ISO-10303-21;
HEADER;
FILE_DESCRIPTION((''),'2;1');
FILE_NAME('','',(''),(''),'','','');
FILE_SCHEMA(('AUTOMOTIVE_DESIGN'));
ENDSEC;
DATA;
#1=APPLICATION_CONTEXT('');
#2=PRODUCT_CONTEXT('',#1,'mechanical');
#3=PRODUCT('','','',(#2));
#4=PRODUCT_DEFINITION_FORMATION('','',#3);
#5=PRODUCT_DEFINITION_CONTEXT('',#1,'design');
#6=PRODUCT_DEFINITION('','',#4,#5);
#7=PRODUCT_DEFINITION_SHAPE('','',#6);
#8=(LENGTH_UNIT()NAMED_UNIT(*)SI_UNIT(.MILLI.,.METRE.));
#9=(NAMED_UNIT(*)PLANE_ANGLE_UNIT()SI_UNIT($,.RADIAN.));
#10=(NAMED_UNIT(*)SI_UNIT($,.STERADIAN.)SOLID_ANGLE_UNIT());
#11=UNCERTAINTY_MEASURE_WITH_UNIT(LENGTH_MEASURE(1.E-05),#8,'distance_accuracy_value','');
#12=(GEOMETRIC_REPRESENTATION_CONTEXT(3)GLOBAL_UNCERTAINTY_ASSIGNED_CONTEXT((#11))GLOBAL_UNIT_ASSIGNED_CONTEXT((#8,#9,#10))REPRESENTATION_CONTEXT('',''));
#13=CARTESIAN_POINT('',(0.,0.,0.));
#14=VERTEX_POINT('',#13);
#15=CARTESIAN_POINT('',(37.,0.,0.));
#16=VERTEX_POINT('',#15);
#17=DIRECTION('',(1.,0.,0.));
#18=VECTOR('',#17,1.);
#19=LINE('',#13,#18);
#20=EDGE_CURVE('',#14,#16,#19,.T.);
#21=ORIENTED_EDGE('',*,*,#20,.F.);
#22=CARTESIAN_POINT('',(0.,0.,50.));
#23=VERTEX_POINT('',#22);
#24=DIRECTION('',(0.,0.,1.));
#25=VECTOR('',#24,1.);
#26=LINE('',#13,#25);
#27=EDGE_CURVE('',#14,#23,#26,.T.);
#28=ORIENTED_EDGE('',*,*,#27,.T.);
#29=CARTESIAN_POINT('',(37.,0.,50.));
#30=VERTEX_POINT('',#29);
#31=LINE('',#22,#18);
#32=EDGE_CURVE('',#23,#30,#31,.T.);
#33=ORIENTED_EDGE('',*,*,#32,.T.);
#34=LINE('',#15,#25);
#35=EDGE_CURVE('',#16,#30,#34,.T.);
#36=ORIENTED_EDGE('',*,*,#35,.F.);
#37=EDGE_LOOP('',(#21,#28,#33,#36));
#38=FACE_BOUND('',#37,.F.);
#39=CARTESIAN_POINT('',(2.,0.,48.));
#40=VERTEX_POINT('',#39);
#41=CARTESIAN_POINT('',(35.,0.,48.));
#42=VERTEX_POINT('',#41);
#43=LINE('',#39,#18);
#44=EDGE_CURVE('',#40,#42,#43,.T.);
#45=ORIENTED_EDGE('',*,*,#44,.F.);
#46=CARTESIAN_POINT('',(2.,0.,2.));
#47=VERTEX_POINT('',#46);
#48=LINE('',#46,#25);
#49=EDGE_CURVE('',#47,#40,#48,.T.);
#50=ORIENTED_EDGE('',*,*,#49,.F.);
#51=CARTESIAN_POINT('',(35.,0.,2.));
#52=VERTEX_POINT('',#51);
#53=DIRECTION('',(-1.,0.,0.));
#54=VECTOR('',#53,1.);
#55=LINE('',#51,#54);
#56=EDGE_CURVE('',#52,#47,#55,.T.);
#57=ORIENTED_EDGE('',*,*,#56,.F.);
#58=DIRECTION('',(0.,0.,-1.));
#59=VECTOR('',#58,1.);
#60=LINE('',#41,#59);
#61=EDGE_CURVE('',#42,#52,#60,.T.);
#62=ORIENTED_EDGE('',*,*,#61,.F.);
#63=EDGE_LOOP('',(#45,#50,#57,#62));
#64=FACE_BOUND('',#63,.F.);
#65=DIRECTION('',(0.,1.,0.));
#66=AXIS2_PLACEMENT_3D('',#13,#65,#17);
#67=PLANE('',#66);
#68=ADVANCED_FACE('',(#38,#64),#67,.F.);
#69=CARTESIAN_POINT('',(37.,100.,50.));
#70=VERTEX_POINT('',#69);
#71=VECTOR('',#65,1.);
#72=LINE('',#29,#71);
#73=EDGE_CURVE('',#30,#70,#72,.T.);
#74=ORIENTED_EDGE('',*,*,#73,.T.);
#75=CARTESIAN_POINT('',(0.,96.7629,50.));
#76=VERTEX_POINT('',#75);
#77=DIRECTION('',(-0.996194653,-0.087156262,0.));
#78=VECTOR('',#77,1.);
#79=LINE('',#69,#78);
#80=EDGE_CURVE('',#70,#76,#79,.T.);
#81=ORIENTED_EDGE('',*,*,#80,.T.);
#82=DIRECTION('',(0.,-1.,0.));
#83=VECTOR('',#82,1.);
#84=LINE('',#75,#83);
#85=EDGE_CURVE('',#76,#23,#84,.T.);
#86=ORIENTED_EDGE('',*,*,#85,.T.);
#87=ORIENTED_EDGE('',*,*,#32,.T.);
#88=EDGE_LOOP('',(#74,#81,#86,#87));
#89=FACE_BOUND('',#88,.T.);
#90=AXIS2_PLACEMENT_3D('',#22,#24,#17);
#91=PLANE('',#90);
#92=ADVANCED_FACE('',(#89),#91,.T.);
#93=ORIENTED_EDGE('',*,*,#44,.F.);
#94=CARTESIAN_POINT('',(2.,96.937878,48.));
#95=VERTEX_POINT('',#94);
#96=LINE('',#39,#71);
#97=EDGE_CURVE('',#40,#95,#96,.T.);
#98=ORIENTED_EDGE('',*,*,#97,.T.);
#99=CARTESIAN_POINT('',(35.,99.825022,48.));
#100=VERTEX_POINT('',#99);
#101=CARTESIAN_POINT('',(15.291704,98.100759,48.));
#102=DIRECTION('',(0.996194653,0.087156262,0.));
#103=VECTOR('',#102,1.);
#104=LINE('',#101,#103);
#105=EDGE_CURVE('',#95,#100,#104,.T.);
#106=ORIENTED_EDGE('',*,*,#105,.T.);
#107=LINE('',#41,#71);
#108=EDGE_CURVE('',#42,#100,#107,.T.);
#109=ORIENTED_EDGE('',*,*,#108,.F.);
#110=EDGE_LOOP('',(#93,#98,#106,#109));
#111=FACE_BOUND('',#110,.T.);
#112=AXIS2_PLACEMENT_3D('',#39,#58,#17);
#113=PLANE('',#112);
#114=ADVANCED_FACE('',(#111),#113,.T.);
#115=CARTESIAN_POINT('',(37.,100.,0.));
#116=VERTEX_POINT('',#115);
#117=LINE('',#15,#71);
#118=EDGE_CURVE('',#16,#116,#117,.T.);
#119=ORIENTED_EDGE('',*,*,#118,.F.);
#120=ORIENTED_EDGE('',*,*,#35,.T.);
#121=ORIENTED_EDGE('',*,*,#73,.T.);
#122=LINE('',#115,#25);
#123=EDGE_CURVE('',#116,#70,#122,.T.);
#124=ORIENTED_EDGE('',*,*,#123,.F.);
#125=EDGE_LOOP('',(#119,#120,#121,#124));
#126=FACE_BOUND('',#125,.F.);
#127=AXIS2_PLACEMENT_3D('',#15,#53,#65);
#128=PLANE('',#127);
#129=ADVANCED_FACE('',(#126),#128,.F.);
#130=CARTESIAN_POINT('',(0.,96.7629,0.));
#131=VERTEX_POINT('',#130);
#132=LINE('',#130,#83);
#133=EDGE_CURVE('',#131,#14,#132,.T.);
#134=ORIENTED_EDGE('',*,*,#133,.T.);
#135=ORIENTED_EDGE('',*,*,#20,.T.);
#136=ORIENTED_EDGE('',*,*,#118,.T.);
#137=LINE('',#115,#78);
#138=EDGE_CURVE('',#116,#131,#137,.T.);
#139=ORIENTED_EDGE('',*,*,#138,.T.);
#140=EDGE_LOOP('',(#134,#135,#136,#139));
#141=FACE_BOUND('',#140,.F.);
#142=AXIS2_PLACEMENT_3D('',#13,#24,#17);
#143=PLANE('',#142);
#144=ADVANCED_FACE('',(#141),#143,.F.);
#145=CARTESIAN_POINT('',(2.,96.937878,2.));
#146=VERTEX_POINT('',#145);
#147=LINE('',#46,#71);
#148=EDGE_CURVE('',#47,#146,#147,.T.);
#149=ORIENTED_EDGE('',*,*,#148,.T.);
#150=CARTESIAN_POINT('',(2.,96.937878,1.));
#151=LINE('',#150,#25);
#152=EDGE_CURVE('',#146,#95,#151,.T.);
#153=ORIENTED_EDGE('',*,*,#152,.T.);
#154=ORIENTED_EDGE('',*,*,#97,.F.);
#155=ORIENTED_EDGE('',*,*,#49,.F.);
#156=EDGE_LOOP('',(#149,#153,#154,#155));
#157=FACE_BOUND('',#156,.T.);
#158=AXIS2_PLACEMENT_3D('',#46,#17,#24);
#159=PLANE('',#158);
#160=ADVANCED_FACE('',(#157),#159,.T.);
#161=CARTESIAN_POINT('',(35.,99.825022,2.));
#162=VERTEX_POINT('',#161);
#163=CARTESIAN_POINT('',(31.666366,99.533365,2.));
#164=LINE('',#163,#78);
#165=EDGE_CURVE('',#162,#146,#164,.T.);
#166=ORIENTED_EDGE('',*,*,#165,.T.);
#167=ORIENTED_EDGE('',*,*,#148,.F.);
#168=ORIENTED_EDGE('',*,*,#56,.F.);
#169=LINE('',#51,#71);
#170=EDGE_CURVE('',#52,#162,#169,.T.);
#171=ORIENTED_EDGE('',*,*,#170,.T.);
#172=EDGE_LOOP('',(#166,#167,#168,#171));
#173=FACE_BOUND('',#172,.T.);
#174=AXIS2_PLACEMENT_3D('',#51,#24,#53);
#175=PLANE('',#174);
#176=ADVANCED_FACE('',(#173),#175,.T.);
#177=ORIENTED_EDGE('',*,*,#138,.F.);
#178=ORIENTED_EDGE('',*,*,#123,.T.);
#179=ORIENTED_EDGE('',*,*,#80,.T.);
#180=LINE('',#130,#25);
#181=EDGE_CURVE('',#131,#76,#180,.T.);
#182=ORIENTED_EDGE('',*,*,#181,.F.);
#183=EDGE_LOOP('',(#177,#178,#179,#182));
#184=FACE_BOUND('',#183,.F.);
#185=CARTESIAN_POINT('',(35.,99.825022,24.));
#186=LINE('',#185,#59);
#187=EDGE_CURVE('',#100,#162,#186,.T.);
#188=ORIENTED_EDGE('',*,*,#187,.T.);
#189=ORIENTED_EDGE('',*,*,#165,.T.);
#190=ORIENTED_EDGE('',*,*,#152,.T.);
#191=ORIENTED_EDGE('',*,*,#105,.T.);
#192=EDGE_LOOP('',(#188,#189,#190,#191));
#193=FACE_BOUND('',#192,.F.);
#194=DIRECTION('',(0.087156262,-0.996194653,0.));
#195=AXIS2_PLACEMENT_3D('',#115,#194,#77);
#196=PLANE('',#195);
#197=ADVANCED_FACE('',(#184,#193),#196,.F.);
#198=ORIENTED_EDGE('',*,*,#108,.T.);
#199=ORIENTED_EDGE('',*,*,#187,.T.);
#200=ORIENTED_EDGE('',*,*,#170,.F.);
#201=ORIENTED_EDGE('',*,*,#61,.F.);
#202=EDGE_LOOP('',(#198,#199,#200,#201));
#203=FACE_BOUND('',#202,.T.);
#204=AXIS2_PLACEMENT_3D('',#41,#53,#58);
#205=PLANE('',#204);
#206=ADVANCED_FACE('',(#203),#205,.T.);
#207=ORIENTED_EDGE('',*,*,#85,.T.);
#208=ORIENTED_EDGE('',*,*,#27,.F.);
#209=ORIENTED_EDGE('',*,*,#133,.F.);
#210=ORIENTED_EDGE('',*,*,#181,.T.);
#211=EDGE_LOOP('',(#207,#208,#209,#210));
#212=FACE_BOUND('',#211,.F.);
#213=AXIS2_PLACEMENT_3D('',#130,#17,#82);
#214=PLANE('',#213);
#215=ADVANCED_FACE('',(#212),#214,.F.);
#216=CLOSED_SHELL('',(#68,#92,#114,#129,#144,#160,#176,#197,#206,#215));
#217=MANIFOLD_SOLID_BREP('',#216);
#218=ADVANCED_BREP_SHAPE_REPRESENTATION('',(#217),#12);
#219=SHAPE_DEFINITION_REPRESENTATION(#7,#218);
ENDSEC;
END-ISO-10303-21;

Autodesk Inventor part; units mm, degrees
ref_plane "YZ Plane" through (0, 0, 0) normal (1, 0, 0) x (0, 1, 0)
ref_plane "XZ Plane" through (0, 0, 0) normal (0, 1, 0) x (-1, 0, 0)
ref_plane "XY Plane" through (0, 0, 0) normal (0, 0, 1) x (1, 0, 0)
sketch "Sketch1" plane through (0, 0, 0) normal (0, 0, 1) x (1, 0, 0)
  line L0 (0, 0) -> (37, 0)
  line L1 (37, 0) -> (37, 100)
  line L2 (0, 96.7629) -> (0, 0)
  line L3 (37, 100) -> (0, 96.7629)
  line L4 (37, 100) -> (74.1413, 100) construction
  dimension "d0" = 37
  dimension "d1" = 100
  dimension "d2" = 175
extrude "Extrusion1" add sketch "Sketch1" along normal blind 50
sketch "Sketch2" plane through (0, 0, 0) normal (0, -1, 0) x (1, 0, 0)
  line L0 (35, 48) -> (35, 2)
  line L1 (37, 0) -> (0, 0) projected
  line L2 (35, 2) -> (2, 2)
  line L3 (2, 2) -> (2, 48)
  line L4 (2, 48) -> (35, 48)
  dimension "d5" = 46
  dimension "d6" = 33
extrude "Extrusion2" cut sketch "Sketch2" against normal blind 100
properties part number "Housing of the motor"
